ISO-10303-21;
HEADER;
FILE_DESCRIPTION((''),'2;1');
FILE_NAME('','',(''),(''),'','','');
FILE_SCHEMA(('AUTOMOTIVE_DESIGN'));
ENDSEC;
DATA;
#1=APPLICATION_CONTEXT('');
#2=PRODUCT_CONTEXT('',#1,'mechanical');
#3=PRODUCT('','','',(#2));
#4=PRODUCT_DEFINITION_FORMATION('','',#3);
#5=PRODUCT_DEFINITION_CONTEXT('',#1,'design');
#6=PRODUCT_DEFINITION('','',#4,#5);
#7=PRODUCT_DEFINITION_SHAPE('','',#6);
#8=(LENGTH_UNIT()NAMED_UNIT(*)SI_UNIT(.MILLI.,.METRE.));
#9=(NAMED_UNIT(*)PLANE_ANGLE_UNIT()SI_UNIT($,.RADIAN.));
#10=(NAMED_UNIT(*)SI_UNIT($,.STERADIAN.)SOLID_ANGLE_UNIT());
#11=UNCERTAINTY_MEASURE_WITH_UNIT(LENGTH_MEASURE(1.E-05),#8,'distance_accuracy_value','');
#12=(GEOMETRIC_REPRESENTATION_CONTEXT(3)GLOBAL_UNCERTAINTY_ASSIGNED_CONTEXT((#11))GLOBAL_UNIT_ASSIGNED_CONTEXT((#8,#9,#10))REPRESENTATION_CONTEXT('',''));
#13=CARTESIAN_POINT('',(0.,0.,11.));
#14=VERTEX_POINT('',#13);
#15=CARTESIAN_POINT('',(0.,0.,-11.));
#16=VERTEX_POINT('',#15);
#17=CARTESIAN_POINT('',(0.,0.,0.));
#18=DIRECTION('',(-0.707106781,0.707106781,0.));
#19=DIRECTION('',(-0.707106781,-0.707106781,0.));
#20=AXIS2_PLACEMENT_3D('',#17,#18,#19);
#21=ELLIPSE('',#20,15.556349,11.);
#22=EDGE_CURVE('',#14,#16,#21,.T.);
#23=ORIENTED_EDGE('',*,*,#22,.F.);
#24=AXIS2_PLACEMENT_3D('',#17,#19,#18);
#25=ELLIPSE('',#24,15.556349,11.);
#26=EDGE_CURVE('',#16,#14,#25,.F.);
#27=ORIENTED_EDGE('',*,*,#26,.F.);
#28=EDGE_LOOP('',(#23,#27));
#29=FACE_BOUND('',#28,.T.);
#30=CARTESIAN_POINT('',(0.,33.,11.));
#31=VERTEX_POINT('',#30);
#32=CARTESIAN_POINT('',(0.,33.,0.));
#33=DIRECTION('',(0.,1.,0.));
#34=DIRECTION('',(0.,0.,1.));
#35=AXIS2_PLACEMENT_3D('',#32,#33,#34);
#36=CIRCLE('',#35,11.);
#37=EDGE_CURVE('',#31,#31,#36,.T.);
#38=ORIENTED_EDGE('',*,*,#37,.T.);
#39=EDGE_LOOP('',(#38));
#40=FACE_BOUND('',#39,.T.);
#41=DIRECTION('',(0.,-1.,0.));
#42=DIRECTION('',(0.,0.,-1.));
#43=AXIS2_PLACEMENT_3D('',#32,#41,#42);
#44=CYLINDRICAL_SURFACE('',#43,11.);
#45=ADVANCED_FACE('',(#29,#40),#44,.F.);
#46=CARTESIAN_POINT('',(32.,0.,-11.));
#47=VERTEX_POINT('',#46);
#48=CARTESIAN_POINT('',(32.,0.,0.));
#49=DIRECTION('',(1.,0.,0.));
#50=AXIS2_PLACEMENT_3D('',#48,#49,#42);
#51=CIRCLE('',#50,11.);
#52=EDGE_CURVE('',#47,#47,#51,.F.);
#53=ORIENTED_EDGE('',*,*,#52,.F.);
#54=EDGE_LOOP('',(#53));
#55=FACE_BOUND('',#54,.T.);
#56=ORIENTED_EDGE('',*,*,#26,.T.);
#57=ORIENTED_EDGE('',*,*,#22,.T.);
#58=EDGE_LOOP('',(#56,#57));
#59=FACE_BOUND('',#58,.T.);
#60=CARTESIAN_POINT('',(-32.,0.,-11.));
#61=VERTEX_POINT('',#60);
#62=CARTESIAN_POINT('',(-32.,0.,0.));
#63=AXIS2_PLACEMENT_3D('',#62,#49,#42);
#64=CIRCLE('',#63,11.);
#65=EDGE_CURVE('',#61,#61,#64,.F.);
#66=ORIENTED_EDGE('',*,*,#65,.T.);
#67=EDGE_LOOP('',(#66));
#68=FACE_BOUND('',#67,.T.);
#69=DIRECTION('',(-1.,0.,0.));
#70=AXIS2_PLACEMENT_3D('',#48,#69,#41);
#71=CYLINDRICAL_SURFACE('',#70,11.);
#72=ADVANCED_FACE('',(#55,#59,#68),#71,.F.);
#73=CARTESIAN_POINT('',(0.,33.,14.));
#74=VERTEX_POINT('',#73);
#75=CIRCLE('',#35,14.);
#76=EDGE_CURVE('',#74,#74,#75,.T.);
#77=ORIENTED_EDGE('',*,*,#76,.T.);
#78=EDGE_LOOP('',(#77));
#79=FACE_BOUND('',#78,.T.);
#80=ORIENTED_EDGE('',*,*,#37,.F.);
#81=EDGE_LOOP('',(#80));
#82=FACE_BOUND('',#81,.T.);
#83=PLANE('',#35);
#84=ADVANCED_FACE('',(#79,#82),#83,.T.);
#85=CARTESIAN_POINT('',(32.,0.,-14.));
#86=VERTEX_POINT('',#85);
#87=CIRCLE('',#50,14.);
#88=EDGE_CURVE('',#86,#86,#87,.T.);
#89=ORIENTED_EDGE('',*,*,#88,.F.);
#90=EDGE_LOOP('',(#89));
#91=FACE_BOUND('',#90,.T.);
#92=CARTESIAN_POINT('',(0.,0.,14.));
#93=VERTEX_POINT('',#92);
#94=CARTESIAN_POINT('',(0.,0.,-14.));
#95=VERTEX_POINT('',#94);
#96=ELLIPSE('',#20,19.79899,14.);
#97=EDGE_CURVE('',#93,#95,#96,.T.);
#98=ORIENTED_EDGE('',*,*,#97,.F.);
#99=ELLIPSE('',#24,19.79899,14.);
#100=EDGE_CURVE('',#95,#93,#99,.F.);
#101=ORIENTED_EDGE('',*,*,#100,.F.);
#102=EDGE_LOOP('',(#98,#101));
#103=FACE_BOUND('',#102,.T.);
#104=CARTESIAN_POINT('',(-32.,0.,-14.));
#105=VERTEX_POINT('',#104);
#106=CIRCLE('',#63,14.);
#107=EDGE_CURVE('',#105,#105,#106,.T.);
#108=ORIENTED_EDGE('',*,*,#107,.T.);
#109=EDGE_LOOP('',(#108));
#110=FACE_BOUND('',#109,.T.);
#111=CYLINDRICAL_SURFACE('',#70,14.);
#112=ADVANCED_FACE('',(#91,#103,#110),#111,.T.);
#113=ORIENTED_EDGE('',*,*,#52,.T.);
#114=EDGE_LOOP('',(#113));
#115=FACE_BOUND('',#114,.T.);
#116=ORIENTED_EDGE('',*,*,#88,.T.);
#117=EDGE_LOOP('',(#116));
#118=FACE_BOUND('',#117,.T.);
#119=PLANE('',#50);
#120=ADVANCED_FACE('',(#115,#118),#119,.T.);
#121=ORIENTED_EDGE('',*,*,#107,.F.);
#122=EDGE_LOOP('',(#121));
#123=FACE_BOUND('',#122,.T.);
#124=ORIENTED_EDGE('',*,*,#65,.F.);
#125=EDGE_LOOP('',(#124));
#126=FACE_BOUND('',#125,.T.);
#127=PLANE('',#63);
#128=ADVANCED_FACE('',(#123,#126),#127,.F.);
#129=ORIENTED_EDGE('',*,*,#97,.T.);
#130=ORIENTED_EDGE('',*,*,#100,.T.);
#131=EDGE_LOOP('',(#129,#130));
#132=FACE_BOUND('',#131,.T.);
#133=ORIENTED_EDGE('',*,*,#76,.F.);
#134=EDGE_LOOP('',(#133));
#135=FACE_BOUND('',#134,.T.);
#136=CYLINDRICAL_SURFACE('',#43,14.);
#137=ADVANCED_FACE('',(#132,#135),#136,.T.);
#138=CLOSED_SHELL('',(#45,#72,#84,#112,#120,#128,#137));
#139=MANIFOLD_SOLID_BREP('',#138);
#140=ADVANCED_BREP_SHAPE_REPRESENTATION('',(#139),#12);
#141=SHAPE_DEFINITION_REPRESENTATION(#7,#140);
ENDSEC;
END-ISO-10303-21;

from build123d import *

# Parameters (mm, degrees)
SKETCH3_R           = 14
SKETCH3_R_2         = 11
SKETCH5_R           = 14
SKETCH5_R_2         = 11
BOSS_EXTRUDE1_DEPTH = 33
SKETCH6_R           = 11
CUT_EXTRUDE1_DEPTH  = 53
CUT_EXTRUDE2_START  = -33
SKETCH7_R           = 11
CUT_EXTRUDE2_DEPTH  = 33


with BuildPart() as part:
    # Sweep1: sweep along a path in Sketch1
    with BuildLine(Plane.XY) as sweep1_path:
        Line((32, 0), (-32, 0))
    # Sketch3 → Sweep1 (sweep)
    with BuildSketch(Plane(origin=(32, 0, 0), x_dir=(0, 0, -1), z_dir=(1, 0, 0))):
        Circle(SKETCH3_R)
        Circle(SKETCH3_R_2, mode=Mode.SUBTRACT)
    sweep(path=sweep1_path.line)

    # Sketch5 → Boss-Extrude1 (add)
    with BuildSketch(Plane(origin=(0, 0, 0), x_dir=(1, 0, 0), z_dir=(0, 1, 0))):
        with Locations(Location((0, 0, 0), (0, 0, 270))):
            Circle(SKETCH5_R)
        with Locations(Location((0, 0, 0), (0, 0, 90))):
            Circle(SKETCH5_R_2, mode=Mode.SUBTRACT)
    extrude(amount=BOSS_EXTRUDE1_DEPTH)

    # Sketch6 → Cut-Extrude1 (cut)
    with BuildSketch(Plane.ZY.offset(32)):
        with Locations(Location((0, 0, 0), (0, 0, 180))):
            Circle(SKETCH6_R)
    extrude(amount=-CUT_EXTRUDE1_DEPTH, mode=Mode.SUBTRACT)

    # Sketch7 → Cut-Extrude2 (cut)
    with BuildSketch(Plane(origin=(0, 33, 0), x_dir=(1, 0, 0), z_dir=(0, 1, 0)).offset(CUT_EXTRUDE2_START)):
        with Locations(Location((0, 0, 0), (0, 0, 270))):
            Circle(SKETCH7_R)
    extrude(amount=CUT_EXTRUDE2_DEPTH, mode=Mode.SUBTRACT)


solid = part.part
